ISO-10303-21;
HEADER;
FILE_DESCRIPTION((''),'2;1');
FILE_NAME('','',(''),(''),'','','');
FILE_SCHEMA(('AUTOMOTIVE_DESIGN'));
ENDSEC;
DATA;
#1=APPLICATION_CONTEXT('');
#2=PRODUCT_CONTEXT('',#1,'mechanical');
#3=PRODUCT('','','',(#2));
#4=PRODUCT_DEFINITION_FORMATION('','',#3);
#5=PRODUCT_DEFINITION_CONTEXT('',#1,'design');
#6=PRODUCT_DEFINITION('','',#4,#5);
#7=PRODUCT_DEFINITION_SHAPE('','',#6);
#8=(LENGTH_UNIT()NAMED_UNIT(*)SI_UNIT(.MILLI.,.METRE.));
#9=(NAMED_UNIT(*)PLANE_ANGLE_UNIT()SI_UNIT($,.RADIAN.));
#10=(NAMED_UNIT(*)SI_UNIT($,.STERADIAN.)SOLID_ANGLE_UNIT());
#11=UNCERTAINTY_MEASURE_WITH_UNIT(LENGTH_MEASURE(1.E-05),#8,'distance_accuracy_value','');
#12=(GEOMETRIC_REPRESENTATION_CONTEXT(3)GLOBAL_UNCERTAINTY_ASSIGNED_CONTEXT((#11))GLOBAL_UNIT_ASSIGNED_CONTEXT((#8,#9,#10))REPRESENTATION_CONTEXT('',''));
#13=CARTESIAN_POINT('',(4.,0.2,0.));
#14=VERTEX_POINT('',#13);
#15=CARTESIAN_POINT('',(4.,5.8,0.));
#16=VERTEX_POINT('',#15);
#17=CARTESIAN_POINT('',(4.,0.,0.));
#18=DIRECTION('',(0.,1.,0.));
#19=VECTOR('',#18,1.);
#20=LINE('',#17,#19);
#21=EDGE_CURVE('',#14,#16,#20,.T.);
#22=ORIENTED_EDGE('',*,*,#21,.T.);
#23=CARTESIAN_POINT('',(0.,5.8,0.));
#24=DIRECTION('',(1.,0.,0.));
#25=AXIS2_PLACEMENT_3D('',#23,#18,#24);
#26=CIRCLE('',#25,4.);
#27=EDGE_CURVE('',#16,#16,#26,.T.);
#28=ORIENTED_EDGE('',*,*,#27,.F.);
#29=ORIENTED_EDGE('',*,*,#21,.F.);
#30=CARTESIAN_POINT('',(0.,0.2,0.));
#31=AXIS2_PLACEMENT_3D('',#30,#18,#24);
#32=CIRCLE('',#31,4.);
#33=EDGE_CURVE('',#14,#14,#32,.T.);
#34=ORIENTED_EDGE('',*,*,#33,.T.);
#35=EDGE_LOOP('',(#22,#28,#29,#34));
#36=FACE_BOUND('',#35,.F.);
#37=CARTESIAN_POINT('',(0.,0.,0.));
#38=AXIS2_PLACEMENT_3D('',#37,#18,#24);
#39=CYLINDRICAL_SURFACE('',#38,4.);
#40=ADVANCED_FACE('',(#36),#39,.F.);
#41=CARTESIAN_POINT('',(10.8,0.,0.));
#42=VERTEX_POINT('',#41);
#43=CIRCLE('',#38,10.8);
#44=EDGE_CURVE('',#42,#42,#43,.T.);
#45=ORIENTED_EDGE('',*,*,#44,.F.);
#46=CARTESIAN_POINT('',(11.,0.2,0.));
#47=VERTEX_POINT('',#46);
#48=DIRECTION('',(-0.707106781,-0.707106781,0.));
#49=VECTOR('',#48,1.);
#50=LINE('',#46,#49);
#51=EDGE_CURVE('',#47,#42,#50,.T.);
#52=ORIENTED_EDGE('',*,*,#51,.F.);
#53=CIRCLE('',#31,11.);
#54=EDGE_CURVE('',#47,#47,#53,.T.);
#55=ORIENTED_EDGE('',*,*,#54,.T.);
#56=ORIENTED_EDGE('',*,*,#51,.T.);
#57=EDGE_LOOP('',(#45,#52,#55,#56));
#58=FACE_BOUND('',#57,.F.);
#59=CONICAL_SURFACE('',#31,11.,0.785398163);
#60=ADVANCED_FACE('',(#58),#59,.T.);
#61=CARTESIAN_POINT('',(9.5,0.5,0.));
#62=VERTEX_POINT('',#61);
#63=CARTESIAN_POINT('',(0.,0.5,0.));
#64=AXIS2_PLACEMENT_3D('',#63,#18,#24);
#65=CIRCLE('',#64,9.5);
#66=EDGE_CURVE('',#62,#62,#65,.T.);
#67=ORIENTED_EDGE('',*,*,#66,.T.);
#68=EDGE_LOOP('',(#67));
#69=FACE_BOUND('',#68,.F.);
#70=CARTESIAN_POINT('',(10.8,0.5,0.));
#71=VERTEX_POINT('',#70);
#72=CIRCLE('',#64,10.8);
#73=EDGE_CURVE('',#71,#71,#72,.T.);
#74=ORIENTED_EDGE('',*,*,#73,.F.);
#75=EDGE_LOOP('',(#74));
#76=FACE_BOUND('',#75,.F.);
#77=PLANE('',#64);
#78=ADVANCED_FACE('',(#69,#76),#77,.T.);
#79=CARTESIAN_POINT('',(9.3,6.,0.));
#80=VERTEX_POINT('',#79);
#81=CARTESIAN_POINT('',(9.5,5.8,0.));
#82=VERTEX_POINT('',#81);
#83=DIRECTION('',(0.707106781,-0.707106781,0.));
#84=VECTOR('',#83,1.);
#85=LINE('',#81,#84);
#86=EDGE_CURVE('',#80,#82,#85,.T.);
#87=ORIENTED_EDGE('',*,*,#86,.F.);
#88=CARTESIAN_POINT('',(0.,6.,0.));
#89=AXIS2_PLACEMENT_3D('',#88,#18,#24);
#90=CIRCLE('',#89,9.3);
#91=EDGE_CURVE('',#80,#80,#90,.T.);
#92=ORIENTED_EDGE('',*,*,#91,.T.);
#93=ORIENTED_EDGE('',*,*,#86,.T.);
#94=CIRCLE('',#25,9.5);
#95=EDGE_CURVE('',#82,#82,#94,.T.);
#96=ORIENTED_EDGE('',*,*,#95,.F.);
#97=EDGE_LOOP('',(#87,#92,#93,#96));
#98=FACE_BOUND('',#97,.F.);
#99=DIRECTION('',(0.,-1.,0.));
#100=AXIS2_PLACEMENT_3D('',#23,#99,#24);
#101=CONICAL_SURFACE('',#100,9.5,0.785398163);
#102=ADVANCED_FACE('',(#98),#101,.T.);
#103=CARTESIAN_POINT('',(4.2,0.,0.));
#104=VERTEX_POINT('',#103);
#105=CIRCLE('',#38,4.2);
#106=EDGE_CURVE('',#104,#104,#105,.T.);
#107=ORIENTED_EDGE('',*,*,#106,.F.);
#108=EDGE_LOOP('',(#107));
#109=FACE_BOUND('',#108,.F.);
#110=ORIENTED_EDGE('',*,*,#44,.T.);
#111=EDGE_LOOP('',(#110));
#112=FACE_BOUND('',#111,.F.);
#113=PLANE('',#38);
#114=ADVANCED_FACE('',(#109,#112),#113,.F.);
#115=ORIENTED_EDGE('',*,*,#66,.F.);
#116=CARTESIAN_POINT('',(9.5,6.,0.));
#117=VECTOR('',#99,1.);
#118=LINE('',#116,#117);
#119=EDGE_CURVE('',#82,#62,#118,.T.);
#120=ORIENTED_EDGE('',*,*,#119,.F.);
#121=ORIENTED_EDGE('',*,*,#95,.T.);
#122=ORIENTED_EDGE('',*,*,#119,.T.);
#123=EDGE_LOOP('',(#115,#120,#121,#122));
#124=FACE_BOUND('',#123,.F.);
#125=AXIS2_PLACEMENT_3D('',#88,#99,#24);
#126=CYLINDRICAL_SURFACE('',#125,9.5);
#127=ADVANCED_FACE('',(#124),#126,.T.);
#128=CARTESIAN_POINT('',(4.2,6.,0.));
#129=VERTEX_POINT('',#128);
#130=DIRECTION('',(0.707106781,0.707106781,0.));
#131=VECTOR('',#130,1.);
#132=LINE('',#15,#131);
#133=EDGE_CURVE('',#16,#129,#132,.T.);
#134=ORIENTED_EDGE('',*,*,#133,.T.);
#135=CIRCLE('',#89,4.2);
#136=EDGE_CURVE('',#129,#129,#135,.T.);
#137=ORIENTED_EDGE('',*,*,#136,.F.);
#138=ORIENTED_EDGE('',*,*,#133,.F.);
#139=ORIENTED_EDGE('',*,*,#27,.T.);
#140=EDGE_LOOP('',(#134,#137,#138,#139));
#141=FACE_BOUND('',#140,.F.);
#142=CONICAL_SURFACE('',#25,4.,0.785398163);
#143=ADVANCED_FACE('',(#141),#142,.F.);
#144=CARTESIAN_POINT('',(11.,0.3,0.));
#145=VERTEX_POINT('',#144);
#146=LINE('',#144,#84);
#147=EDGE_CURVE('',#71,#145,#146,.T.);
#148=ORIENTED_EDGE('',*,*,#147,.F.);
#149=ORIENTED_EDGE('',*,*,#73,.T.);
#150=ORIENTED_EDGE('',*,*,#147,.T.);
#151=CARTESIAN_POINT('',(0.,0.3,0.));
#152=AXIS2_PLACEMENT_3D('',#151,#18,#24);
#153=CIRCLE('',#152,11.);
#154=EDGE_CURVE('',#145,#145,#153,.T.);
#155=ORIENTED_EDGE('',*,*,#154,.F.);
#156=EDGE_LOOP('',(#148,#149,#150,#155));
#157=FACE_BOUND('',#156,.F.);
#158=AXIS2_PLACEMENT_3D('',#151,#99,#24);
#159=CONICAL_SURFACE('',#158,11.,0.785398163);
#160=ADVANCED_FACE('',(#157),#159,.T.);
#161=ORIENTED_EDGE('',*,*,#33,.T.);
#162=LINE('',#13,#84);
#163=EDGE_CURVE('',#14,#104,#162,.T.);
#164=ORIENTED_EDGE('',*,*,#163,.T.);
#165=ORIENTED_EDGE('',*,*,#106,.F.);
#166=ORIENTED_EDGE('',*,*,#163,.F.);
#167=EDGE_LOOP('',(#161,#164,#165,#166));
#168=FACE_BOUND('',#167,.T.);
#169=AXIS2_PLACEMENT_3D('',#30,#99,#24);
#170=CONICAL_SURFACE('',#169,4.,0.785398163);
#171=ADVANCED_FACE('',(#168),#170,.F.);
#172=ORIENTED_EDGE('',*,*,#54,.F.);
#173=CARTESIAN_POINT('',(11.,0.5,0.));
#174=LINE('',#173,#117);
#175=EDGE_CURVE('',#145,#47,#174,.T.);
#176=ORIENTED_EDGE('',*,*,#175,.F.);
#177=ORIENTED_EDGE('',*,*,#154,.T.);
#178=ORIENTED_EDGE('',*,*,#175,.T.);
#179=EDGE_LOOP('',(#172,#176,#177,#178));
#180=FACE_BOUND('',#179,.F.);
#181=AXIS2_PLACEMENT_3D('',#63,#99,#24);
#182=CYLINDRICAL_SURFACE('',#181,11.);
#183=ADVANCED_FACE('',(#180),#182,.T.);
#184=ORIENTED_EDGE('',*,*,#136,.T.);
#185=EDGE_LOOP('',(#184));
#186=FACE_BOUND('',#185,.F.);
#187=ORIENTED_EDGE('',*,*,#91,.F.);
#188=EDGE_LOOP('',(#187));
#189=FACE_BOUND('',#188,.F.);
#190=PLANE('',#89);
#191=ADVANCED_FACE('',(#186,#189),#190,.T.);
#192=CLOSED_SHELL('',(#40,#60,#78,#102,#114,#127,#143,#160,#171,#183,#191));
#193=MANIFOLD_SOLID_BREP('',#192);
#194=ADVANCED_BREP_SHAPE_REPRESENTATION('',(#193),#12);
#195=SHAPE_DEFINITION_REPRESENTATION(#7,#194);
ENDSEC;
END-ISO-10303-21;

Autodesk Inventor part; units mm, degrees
ref_plane "YZ Plane" through (0, 0, 0) normal (1, 0, 0) x (0, 1, 0)
ref_plane "XZ Plane" through (0, 0, 0) normal (0, 1, 0) x (-1, 0, 0)
ref_plane "XY Plane" through (0, 0, 0) normal (0, 0, 1) x (1, 0, 0)
sketch "スケッチ1" plane through (0, 0, 0) normal (0, 0, 1) x (1, 0, 0)
  line L0 (4, 0) -> (4, 6)
  line L1 (4, 6) -> (9.5, 6)
  line L2 (9.5, 6) -> (9.5, 0.5)
  line L3 (9.5, 0.5) -> (11, 0.5)
  line L4 (11, 0.5) -> (11, 0)
  line L5 (11, 0) -> (4, 0)
  line L6 (0, 0) -> (0, 6.1022) construction
  dimension "d0" = 4
  dimension "d1" = 6
  dimension "d2" = 0.5
  dimension "d3" = 9.5
  dimension "d4" = 11
revolve "回転1" add sketch "スケッチ1" angle 360 about axis through (0, 0, 0) along (0, 1, 0)
chamfer "面取り1" distance 0.2 angle 45 5 edges at (-4, 6, 0) (-9.5, 6, 0) (-11, 0.5, 0) (-11, 0, 0) (-4, 0, 0)
properties part number "ベアリングフランジ付き"
